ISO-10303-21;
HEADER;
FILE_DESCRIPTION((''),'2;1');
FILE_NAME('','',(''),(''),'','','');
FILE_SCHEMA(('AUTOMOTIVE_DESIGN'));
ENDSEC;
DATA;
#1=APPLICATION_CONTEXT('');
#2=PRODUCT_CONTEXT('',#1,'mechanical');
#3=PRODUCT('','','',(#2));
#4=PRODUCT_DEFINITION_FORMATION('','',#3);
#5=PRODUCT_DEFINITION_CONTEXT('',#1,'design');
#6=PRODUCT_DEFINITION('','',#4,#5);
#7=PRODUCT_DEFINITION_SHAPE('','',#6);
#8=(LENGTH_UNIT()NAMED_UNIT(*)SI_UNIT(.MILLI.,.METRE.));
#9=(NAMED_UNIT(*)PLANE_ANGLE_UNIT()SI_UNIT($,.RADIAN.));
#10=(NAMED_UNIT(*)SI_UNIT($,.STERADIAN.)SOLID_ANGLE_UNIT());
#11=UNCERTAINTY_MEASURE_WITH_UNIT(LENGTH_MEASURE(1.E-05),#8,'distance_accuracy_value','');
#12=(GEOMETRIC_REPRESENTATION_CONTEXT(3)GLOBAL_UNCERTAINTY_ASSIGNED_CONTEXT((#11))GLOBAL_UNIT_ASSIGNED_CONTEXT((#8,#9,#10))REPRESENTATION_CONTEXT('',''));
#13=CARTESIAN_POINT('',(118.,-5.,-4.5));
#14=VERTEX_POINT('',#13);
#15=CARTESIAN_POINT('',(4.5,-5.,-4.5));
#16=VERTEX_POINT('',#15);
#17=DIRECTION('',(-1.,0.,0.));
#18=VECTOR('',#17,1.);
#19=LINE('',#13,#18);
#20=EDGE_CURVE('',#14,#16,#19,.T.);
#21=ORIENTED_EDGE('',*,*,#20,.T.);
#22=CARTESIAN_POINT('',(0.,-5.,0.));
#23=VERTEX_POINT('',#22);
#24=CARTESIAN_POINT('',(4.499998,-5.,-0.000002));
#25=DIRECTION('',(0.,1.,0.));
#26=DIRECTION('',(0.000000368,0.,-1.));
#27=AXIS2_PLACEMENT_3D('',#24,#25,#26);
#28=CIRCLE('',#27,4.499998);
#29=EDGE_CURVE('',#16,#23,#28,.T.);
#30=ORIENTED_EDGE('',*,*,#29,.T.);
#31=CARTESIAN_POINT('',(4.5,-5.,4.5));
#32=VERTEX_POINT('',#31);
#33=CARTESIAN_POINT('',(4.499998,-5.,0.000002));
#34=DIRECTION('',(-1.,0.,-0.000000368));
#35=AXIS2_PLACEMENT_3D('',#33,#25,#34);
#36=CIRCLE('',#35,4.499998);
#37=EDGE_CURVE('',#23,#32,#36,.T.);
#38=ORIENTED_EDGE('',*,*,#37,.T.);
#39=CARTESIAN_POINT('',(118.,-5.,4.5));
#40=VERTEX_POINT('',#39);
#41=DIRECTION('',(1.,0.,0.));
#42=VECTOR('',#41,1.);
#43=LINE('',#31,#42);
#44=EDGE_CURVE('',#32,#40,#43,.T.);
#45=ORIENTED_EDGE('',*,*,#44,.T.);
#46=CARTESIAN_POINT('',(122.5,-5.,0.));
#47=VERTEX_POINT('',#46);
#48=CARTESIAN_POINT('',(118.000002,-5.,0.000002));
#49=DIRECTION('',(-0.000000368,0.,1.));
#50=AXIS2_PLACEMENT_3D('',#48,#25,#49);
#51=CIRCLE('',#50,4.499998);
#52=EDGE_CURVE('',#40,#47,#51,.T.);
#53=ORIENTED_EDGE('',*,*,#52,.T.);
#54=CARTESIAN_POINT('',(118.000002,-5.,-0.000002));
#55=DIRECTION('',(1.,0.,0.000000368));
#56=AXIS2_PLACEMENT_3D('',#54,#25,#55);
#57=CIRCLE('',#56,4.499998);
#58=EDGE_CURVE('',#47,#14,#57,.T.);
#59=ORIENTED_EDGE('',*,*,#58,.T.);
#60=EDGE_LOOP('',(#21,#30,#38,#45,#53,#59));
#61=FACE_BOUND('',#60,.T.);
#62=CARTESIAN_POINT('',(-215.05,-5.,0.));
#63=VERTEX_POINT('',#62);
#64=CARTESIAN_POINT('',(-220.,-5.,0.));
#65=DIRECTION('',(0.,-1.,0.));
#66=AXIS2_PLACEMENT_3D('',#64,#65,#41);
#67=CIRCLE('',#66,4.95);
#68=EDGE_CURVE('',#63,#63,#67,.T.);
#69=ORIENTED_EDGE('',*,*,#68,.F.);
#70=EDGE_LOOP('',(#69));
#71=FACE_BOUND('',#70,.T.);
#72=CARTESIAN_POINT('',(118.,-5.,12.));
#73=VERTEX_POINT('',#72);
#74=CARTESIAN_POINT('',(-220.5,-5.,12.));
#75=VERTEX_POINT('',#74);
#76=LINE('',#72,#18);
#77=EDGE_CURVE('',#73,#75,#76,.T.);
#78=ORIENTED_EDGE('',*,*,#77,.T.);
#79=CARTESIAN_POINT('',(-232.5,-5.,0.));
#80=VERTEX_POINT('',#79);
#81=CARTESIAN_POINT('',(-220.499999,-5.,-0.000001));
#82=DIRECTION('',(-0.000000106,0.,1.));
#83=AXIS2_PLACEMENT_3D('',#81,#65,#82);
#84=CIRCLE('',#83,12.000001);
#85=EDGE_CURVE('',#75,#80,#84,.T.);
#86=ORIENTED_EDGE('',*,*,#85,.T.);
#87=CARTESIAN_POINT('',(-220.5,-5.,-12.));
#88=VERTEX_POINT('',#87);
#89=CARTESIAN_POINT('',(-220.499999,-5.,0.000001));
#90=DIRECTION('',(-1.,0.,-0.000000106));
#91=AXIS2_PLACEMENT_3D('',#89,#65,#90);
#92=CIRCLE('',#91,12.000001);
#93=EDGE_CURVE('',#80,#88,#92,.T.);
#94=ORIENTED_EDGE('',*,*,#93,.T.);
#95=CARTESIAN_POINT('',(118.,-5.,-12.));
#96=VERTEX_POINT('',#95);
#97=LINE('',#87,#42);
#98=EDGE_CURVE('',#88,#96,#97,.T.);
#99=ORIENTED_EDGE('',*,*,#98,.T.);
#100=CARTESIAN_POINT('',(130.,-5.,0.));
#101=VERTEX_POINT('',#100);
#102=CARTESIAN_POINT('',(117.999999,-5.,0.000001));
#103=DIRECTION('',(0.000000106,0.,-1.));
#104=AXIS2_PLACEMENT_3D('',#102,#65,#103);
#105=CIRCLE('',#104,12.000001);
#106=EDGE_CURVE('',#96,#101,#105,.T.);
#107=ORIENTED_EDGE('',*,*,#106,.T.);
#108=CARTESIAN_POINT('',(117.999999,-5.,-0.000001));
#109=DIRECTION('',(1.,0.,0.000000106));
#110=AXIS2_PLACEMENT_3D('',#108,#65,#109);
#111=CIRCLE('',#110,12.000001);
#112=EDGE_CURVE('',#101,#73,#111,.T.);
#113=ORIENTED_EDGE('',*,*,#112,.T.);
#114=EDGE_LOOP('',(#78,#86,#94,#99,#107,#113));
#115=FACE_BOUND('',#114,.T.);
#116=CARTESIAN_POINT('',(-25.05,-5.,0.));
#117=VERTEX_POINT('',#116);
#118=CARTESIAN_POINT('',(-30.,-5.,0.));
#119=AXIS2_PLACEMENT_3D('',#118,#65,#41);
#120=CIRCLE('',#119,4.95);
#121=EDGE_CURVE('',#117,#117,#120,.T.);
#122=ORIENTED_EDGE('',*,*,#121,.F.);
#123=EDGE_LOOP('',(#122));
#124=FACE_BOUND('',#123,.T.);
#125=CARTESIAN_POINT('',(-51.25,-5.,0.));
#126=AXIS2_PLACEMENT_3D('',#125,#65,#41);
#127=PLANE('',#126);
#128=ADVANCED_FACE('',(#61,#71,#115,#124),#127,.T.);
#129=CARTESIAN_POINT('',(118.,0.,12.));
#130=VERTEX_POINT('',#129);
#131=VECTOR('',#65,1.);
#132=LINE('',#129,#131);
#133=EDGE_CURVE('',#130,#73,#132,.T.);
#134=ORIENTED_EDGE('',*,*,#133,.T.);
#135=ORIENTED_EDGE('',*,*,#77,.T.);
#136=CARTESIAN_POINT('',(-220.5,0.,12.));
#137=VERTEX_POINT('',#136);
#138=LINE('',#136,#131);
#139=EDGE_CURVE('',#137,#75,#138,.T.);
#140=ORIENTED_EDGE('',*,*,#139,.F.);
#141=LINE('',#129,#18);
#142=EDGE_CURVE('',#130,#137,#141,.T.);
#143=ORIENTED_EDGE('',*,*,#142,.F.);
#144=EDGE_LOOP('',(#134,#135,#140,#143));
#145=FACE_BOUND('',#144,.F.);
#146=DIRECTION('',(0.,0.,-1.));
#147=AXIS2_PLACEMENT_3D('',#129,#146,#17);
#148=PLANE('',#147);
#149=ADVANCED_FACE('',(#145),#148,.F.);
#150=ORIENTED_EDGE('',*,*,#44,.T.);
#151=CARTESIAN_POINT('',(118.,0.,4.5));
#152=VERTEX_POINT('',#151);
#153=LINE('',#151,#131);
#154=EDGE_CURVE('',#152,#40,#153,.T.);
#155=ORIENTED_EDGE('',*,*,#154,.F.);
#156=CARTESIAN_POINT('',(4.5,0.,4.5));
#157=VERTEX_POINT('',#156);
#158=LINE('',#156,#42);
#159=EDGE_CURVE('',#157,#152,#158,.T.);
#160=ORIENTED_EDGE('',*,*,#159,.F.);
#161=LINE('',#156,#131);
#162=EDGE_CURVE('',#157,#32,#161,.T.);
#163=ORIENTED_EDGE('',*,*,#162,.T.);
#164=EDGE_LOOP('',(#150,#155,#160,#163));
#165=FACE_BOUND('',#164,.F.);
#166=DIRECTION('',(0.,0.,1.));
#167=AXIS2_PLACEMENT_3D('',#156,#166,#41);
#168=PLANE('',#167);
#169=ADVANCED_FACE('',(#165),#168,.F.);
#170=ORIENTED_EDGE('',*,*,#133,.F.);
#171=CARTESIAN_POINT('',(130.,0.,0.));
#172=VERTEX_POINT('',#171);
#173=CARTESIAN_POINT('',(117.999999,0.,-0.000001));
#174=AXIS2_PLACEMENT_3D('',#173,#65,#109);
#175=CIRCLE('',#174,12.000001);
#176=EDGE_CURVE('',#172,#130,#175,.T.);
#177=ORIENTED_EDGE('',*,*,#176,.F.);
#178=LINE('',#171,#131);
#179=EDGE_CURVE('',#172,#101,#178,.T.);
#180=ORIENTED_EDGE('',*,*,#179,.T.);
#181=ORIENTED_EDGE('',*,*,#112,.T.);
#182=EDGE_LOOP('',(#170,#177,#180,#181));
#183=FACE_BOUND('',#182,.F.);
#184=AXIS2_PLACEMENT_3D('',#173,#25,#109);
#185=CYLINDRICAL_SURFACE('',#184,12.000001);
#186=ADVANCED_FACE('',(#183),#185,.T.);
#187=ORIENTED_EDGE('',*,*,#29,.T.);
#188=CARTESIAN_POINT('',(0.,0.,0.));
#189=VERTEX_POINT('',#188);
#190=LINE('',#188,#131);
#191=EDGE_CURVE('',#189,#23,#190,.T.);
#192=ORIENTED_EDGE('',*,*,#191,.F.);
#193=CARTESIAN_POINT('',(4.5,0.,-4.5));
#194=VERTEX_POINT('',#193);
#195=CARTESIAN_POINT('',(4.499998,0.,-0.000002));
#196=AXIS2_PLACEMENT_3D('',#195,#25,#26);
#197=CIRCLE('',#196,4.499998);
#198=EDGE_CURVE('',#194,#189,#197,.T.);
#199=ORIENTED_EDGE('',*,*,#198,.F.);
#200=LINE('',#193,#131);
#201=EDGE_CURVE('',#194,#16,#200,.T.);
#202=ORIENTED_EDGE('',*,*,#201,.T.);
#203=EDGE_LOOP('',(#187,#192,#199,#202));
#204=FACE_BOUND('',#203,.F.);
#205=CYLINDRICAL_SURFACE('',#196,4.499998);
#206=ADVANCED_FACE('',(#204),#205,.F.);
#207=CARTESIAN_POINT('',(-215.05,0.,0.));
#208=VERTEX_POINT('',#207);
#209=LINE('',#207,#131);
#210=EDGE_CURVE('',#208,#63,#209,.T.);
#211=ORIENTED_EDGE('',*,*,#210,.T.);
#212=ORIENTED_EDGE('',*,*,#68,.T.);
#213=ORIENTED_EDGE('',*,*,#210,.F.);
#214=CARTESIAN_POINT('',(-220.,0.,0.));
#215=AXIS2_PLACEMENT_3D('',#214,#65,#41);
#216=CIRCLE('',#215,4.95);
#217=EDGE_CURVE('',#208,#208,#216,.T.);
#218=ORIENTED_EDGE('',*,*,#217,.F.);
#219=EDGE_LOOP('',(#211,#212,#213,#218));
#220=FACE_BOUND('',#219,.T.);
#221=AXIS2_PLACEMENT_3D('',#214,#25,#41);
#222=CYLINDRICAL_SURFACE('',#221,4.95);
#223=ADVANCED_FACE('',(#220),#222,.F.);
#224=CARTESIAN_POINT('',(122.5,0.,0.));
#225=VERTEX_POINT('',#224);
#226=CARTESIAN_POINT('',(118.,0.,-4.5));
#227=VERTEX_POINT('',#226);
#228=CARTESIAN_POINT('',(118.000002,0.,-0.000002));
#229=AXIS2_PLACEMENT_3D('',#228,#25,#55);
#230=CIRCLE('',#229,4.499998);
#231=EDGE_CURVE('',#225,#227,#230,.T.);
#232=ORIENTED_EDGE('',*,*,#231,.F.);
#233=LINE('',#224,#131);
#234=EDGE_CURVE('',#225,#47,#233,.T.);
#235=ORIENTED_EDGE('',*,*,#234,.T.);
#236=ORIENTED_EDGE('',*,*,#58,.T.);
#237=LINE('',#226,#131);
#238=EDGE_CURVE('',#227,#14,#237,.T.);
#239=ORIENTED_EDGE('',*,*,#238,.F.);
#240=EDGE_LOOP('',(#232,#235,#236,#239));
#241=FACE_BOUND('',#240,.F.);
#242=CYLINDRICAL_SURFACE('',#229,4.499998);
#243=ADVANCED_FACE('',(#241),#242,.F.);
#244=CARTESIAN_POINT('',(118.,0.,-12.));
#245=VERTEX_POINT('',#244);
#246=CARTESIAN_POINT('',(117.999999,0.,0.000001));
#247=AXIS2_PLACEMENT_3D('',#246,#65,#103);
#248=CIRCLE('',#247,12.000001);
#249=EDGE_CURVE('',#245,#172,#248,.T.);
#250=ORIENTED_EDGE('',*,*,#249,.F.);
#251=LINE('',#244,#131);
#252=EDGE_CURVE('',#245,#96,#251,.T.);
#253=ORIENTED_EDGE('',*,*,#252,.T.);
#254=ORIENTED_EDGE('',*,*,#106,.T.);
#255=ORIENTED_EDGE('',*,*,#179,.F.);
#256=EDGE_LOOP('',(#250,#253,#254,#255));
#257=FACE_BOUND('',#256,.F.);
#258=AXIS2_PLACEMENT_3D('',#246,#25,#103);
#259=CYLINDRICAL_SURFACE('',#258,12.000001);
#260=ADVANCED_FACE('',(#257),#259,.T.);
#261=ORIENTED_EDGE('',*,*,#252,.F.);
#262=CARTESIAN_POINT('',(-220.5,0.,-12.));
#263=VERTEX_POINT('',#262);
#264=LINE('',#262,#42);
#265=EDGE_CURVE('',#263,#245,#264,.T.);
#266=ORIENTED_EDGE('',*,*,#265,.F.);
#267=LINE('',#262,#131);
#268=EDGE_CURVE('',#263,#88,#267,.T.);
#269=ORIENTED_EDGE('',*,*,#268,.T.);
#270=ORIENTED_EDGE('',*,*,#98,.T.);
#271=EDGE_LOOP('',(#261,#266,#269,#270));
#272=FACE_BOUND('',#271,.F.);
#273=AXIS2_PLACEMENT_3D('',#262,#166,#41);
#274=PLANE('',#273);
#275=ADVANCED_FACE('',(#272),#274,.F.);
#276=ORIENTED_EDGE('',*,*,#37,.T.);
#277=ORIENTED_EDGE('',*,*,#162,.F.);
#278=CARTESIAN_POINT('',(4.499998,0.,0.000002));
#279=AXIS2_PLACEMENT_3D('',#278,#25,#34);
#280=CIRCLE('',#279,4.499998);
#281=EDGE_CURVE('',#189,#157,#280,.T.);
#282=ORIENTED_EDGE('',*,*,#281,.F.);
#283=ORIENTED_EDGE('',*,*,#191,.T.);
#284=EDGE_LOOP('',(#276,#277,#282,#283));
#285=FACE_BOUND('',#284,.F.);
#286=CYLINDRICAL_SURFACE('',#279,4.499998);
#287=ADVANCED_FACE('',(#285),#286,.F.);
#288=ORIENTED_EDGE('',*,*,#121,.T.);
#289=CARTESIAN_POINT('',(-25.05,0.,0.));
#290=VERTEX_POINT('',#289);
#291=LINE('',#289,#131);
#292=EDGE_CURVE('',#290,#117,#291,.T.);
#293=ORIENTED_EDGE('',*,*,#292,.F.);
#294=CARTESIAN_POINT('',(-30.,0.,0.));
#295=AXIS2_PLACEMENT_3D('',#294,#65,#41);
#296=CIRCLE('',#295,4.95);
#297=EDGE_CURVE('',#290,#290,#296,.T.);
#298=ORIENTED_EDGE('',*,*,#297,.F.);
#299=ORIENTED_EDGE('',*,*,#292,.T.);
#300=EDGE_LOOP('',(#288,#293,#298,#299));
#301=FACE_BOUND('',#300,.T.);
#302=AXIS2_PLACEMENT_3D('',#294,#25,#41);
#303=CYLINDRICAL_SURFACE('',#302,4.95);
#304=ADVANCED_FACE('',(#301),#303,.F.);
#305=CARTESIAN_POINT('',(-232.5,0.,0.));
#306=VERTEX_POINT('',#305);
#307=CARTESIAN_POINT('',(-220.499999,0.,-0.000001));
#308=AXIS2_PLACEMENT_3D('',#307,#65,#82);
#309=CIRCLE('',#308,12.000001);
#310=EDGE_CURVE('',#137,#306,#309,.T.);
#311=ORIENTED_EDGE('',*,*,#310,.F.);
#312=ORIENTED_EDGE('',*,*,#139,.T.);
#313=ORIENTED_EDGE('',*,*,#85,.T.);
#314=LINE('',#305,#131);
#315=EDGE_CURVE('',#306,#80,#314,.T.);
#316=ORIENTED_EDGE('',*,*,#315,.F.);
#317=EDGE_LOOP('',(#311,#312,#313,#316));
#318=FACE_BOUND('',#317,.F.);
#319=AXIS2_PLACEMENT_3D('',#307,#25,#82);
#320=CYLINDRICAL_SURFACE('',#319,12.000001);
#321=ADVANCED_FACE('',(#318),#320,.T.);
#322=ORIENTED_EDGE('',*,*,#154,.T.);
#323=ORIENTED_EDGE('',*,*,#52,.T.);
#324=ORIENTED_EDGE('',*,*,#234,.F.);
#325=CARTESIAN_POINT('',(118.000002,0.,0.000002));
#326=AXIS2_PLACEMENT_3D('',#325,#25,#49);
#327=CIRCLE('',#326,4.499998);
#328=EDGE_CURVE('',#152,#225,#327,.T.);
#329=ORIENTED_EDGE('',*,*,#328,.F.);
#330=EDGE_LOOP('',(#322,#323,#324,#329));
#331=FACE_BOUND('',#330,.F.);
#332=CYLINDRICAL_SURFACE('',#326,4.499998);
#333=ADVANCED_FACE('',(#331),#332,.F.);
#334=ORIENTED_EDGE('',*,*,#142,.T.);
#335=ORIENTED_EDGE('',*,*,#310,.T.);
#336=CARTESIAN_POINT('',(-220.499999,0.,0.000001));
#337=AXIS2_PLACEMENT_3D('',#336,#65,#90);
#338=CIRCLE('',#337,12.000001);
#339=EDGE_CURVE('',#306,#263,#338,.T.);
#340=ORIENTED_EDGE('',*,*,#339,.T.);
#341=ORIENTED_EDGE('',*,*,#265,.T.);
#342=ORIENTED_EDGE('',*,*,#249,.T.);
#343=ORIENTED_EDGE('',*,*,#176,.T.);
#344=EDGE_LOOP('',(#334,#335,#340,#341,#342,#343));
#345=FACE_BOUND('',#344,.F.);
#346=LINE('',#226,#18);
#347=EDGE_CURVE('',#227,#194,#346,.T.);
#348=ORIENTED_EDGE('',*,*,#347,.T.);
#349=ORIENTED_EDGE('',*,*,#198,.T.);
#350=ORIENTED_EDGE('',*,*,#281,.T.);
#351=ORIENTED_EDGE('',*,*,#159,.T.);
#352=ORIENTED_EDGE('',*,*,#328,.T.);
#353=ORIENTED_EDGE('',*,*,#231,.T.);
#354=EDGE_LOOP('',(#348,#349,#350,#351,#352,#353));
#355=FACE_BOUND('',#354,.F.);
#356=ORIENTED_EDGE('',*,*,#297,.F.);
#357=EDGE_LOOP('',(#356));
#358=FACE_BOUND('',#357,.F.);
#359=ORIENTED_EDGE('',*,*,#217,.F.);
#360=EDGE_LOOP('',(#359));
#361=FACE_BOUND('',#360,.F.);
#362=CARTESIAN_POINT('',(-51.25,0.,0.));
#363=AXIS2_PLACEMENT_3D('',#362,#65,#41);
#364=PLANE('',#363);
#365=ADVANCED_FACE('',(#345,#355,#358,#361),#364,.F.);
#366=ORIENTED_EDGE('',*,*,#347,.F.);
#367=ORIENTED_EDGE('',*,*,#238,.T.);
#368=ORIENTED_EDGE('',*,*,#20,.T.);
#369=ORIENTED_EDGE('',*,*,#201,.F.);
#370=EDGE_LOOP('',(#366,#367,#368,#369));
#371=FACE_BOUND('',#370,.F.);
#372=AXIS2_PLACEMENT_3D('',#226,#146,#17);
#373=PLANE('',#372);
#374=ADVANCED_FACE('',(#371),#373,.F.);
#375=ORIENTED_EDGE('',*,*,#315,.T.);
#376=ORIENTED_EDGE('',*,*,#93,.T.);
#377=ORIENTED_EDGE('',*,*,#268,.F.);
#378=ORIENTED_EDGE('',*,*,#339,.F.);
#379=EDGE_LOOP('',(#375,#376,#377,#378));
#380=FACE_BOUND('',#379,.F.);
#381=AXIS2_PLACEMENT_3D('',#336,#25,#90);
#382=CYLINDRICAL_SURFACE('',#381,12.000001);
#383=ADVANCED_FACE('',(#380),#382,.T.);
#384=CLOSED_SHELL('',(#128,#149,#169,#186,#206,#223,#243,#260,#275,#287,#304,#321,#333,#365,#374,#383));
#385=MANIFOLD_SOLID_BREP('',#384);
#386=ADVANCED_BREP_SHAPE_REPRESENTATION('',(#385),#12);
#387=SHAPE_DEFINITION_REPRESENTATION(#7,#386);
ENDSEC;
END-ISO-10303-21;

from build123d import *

# Parameters (mm, degrees)
F0_R     = 4.95
F1_DEPTH = 5


with BuildPart() as f1:
    # F0 (on Front) → F1 (new body)
    with BuildSketch(Plane.XZ):
        with BuildLine():
            Line((-220.5, -12), (118, -12))
            ThreePointArc((118, -12), (126.485281, -8.485281), (130, 0))
            ThreePointArc((130, 0), (126.485281, 8.485281), (118, 12))
            Line((118, 12), (-220.5, 12))
            ThreePointArc((-220.5, 12), (-228.985281, 8.485281), (-232.5, 0))
            ThreePointArc((-232.5, 0), (-228.985281, -8.485281), (-220.5, -12))
        make_face()
        with Locations((-220, 0)):
            Circle(F0_R, mode=Mode.SUBTRACT)
        with Locations((-30, 0)):
            Circle(F0_R, mode=Mode.SUBTRACT)
        with BuildLine():
            ThreePointArc((122.5, 0), (121.181981, -3.181981), (118, -4.5))
            Line((118, -4.5), (4.5, -4.5))
            ThreePointArc((4.5, -4.5), (1.318019, -3.181981), (0, 0))
            ThreePointArc((0, 0), (1.318019, 3.181981), (4.5, 4.5))
            Line((4.5, 4.5), (118, 4.5))
            ThreePointArc((118, 4.5), (121.181981, 3.181981), (122.5, 0))
        make_face(mode=Mode.SUBTRACT)
    extrude(amount=F1_DEPTH)


solid = f1.part
